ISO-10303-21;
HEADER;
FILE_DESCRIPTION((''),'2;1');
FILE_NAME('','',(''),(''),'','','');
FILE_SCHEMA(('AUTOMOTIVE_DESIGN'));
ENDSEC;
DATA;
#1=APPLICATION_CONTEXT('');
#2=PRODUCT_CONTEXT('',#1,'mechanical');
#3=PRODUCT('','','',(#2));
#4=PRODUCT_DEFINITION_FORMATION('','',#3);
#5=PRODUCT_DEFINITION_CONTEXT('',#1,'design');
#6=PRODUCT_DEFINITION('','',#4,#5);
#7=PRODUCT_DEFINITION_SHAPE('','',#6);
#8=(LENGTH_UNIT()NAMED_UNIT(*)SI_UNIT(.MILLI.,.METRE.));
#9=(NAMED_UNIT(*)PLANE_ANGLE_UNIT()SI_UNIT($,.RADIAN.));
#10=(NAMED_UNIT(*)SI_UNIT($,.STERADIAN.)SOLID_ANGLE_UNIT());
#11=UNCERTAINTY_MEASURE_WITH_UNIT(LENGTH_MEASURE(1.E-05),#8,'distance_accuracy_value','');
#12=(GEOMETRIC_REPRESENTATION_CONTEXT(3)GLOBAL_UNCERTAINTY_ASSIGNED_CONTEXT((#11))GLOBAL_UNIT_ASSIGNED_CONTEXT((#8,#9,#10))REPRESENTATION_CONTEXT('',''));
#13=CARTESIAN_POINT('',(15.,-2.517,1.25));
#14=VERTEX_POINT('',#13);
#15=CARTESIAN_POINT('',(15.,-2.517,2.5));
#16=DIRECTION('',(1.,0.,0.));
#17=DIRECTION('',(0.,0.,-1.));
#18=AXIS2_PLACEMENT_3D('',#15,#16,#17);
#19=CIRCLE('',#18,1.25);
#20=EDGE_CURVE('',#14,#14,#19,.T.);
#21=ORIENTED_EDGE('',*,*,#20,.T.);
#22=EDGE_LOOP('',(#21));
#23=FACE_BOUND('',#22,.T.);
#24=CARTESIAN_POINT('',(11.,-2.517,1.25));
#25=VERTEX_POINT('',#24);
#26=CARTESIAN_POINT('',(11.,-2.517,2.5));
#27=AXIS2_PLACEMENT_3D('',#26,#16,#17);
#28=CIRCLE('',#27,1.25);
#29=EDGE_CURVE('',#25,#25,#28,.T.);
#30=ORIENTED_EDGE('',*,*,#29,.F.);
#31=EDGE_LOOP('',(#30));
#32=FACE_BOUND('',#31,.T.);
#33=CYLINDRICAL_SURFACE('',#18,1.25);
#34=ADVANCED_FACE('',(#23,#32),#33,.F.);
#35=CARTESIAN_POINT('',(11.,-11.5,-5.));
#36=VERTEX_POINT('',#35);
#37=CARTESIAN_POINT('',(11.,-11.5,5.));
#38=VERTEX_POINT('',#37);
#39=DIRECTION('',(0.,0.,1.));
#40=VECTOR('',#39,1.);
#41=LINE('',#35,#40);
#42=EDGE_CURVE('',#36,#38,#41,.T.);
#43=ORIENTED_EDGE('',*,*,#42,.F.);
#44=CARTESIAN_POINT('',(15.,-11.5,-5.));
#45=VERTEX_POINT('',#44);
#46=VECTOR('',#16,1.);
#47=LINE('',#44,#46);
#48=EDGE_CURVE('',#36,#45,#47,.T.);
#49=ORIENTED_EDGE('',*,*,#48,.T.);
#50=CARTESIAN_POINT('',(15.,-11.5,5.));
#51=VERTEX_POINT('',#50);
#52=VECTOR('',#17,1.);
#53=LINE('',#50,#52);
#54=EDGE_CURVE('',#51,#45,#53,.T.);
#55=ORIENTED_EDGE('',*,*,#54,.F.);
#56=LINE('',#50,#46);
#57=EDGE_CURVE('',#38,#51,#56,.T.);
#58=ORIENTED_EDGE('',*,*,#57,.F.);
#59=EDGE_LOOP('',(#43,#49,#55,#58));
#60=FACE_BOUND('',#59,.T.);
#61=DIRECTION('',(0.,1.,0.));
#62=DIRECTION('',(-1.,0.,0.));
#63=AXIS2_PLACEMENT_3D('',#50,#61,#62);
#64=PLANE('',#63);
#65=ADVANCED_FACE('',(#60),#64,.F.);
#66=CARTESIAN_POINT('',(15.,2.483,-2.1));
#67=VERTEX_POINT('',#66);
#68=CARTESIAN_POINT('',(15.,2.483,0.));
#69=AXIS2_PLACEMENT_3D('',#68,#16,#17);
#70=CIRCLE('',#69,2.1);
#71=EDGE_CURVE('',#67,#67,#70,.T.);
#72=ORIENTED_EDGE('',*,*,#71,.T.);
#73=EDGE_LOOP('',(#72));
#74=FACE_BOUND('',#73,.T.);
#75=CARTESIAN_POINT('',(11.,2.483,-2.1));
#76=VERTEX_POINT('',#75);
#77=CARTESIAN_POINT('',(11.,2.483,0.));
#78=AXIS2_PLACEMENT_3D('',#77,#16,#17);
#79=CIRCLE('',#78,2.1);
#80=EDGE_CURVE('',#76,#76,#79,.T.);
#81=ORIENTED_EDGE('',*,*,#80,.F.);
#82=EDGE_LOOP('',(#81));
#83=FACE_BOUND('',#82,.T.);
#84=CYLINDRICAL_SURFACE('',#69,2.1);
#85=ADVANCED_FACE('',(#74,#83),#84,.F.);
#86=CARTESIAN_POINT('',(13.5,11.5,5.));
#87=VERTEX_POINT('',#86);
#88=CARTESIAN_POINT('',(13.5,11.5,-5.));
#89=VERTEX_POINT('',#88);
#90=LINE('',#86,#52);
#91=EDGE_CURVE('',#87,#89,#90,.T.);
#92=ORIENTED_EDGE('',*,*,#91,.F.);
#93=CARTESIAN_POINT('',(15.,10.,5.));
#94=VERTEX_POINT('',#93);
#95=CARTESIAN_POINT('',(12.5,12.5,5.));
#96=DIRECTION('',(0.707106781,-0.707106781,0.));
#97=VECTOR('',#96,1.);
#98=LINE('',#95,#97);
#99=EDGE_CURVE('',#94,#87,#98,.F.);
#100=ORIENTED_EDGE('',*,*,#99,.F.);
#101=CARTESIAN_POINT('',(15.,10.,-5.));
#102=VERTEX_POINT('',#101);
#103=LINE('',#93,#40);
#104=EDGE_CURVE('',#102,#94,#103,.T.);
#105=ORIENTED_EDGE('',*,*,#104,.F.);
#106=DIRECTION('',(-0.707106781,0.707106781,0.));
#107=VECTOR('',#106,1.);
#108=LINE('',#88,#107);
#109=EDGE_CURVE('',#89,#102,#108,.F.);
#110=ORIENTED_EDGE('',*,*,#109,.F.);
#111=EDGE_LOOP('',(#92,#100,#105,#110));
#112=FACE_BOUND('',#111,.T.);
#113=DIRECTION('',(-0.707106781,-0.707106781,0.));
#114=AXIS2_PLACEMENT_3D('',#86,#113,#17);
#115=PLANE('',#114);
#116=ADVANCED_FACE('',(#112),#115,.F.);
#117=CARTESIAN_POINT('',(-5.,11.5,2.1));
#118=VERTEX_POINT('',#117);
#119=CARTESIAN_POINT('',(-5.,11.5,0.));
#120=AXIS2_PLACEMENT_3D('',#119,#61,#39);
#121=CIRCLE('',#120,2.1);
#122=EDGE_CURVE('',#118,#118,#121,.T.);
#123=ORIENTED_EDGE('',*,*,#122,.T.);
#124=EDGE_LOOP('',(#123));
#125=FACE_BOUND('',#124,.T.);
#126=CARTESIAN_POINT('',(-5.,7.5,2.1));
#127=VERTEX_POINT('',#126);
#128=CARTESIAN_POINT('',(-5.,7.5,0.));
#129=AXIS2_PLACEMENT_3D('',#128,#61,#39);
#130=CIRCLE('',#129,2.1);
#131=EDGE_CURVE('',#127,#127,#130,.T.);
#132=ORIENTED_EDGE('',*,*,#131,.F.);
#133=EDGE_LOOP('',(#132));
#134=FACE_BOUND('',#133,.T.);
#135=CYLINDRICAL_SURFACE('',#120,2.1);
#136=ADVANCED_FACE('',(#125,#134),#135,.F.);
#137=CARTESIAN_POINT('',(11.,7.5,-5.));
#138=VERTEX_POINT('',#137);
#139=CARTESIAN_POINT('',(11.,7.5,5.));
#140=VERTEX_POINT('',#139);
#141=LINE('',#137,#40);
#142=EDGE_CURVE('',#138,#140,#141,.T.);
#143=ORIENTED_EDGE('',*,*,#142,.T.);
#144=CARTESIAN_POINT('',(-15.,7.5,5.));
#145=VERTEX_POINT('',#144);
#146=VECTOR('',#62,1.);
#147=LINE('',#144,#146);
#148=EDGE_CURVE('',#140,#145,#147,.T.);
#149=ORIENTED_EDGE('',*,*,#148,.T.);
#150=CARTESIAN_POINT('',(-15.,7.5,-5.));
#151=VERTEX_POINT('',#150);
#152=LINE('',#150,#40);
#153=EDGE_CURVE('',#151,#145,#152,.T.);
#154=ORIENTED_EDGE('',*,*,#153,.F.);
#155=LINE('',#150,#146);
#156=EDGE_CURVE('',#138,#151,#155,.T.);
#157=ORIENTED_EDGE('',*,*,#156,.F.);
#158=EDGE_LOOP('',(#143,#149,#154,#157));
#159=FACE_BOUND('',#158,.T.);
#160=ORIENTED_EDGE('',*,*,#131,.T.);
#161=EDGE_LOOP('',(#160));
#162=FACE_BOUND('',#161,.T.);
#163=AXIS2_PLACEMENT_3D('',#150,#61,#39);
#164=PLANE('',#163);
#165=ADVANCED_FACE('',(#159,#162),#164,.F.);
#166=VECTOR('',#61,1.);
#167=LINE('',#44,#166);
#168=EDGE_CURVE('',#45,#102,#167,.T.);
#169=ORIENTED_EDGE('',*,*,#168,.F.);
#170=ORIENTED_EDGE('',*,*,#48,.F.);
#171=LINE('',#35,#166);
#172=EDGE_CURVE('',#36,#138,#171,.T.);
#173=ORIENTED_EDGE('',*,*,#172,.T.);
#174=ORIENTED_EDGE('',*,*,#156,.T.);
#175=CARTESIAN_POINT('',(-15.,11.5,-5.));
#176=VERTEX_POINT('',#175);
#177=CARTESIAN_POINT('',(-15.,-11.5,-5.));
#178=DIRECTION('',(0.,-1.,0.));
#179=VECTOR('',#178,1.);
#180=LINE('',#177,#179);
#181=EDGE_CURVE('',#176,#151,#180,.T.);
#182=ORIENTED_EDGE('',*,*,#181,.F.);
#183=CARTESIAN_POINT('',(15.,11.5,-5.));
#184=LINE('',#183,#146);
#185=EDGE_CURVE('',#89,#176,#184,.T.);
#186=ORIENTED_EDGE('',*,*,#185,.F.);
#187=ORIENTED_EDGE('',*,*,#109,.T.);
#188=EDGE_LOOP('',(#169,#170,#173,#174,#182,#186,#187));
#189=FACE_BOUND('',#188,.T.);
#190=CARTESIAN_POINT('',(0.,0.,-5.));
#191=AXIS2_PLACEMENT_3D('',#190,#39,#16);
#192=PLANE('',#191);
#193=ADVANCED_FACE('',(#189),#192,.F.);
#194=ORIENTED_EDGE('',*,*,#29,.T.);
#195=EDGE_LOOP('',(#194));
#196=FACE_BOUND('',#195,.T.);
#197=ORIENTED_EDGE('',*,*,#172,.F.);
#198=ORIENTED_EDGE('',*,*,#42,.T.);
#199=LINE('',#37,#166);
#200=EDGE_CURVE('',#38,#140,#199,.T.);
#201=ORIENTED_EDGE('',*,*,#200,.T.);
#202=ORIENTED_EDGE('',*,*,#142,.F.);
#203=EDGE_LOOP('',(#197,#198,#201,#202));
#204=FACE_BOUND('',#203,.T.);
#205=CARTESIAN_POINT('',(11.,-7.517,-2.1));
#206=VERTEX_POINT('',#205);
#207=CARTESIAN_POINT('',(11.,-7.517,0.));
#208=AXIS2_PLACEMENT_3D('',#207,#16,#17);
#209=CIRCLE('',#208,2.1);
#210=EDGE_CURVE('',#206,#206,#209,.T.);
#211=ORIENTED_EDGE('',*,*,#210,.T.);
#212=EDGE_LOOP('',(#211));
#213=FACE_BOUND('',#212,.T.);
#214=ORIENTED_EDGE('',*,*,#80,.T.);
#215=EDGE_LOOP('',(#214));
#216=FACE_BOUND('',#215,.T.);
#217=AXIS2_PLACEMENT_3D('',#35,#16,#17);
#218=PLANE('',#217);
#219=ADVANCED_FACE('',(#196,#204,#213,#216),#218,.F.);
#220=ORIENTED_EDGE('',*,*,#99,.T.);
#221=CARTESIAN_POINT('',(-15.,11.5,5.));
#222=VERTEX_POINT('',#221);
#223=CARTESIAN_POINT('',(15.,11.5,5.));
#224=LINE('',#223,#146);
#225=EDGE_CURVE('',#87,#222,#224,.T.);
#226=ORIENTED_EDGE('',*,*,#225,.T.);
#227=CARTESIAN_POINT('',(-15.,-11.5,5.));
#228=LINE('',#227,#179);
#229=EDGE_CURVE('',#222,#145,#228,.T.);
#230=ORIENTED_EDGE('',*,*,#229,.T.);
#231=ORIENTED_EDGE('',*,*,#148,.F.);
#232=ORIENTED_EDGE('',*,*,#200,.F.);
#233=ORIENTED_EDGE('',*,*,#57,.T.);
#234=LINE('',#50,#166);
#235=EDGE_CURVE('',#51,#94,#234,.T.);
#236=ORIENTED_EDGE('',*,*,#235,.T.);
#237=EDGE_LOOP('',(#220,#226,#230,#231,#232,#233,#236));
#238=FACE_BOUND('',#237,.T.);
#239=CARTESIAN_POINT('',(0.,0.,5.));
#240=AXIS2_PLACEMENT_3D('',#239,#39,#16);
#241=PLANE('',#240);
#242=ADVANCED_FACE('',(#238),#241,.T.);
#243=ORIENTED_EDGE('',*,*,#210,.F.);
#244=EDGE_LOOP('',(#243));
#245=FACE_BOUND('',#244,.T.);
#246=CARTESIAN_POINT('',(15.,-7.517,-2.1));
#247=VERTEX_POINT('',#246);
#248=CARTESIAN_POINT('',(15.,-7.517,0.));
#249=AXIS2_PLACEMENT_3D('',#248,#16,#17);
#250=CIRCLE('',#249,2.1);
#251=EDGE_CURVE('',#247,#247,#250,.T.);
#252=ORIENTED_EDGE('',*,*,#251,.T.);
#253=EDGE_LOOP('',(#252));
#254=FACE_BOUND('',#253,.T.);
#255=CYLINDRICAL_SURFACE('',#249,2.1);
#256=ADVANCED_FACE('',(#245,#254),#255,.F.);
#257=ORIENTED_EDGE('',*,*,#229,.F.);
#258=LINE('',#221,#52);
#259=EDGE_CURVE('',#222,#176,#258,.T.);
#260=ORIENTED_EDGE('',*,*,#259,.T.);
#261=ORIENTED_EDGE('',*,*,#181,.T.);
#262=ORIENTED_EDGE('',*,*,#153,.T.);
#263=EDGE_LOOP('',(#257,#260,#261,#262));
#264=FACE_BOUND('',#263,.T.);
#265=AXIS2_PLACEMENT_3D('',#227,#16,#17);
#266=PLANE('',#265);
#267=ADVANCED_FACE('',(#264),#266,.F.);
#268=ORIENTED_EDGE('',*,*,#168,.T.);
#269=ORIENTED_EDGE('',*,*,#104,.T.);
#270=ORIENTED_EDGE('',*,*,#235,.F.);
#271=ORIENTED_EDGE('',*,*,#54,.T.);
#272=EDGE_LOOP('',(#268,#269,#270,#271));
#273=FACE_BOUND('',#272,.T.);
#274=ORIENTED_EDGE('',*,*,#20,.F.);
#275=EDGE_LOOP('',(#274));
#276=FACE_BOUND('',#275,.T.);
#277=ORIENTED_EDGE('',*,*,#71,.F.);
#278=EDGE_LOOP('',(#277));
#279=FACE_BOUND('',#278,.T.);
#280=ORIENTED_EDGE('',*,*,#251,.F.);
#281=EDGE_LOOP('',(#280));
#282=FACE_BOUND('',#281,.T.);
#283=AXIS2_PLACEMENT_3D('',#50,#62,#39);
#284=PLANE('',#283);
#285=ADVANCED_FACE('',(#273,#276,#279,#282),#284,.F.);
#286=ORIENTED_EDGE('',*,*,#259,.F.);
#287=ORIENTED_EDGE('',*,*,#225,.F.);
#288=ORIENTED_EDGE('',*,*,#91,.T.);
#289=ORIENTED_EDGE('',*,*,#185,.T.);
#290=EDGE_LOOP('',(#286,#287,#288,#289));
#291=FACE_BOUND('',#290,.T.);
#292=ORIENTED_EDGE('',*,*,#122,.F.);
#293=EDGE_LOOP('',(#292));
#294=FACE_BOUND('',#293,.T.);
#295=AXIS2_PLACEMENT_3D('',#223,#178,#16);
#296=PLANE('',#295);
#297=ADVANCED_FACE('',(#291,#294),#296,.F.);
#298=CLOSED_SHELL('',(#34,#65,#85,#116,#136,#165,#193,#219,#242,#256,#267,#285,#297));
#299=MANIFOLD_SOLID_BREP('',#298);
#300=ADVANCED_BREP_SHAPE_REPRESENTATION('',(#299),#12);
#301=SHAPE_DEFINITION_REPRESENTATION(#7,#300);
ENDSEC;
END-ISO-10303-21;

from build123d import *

# Parameters (mm, degrees)
SKETCH1_W                          = 30
SKETCH1_H                          = 23
BOSS_EXTRUDE1_DEPTH                = 5
SKETCH2_W                          = 26
SKETCH2_H                          = 19
CUT_EXTRUDE1_DEPTH                 = 22.38340478
CHAMFER1_SIZE                      = 1.5
TAPPED_HOLE_FOR_M4X0_7_HELICOIL1_D = 4.2
M4_CLEARANCE_HOLE1_D               = 4.2
M3_TAPPED_HOLE1_D                  = 2.5


with BuildPart() as part:
    # Sketch1 → Boss-Extrude1 (new, symmetric)
    with BuildSketch(Plane.XY):
        Rectangle(SKETCH1_W, SKETCH1_H)
    extrude(amount=BOSS_EXTRUDE1_DEPTH, both=True)

    # Sketch2 → Cut-Extrude1 (cut, through all)
    with BuildSketch(Plane.XY.offset(5)):
        with Locations((-2, -2)):
            Rectangle(SKETCH2_W, SKETCH2_H)
    extrude(amount=-CUT_EXTRUDE1_DEPTH, mode=Mode.SUBTRACT)

    # Chamfer1
    chamfer1_edges = [part.edges().sort_by_distance(p)[0] for p in [
        (15, 11.5, 0),
    ]]
    chamfer(chamfer1_edges, length=CHAMFER1_SIZE)

    # Tapped Hole for M4x0.7 Helicoil1 (through all)
    with Locations(Plane(origin=(0, 11.5, 0), x_dir=(1, 0, 0), z_dir=(0, 1, 0))):
        with Locations((-5, 0)):
            Hole(TAPPED_HOLE_FOR_M4X0_7_HELICOIL1_D / 2)

    # M4 Clearance Hole1 (through all)
    with Locations(Plane(origin=(15, 0, 0), x_dir=(0, 0, -1), z_dir=(1, 0, 0))):
        with Locations((0, -7.517), (0, 2.483)):
            Hole(M4_CLEARANCE_HOLE1_D / 2)

    # M3 Tapped Hole1 (through all)
    with Locations(Plane(origin=(15, 0, 0), x_dir=(0, 0, -1), z_dir=(1, 0, 0))):
        with Locations((-2.5, -2.517)):
            Hole(M3_TAPPED_HOLE1_D / 2)


solid = part.part
